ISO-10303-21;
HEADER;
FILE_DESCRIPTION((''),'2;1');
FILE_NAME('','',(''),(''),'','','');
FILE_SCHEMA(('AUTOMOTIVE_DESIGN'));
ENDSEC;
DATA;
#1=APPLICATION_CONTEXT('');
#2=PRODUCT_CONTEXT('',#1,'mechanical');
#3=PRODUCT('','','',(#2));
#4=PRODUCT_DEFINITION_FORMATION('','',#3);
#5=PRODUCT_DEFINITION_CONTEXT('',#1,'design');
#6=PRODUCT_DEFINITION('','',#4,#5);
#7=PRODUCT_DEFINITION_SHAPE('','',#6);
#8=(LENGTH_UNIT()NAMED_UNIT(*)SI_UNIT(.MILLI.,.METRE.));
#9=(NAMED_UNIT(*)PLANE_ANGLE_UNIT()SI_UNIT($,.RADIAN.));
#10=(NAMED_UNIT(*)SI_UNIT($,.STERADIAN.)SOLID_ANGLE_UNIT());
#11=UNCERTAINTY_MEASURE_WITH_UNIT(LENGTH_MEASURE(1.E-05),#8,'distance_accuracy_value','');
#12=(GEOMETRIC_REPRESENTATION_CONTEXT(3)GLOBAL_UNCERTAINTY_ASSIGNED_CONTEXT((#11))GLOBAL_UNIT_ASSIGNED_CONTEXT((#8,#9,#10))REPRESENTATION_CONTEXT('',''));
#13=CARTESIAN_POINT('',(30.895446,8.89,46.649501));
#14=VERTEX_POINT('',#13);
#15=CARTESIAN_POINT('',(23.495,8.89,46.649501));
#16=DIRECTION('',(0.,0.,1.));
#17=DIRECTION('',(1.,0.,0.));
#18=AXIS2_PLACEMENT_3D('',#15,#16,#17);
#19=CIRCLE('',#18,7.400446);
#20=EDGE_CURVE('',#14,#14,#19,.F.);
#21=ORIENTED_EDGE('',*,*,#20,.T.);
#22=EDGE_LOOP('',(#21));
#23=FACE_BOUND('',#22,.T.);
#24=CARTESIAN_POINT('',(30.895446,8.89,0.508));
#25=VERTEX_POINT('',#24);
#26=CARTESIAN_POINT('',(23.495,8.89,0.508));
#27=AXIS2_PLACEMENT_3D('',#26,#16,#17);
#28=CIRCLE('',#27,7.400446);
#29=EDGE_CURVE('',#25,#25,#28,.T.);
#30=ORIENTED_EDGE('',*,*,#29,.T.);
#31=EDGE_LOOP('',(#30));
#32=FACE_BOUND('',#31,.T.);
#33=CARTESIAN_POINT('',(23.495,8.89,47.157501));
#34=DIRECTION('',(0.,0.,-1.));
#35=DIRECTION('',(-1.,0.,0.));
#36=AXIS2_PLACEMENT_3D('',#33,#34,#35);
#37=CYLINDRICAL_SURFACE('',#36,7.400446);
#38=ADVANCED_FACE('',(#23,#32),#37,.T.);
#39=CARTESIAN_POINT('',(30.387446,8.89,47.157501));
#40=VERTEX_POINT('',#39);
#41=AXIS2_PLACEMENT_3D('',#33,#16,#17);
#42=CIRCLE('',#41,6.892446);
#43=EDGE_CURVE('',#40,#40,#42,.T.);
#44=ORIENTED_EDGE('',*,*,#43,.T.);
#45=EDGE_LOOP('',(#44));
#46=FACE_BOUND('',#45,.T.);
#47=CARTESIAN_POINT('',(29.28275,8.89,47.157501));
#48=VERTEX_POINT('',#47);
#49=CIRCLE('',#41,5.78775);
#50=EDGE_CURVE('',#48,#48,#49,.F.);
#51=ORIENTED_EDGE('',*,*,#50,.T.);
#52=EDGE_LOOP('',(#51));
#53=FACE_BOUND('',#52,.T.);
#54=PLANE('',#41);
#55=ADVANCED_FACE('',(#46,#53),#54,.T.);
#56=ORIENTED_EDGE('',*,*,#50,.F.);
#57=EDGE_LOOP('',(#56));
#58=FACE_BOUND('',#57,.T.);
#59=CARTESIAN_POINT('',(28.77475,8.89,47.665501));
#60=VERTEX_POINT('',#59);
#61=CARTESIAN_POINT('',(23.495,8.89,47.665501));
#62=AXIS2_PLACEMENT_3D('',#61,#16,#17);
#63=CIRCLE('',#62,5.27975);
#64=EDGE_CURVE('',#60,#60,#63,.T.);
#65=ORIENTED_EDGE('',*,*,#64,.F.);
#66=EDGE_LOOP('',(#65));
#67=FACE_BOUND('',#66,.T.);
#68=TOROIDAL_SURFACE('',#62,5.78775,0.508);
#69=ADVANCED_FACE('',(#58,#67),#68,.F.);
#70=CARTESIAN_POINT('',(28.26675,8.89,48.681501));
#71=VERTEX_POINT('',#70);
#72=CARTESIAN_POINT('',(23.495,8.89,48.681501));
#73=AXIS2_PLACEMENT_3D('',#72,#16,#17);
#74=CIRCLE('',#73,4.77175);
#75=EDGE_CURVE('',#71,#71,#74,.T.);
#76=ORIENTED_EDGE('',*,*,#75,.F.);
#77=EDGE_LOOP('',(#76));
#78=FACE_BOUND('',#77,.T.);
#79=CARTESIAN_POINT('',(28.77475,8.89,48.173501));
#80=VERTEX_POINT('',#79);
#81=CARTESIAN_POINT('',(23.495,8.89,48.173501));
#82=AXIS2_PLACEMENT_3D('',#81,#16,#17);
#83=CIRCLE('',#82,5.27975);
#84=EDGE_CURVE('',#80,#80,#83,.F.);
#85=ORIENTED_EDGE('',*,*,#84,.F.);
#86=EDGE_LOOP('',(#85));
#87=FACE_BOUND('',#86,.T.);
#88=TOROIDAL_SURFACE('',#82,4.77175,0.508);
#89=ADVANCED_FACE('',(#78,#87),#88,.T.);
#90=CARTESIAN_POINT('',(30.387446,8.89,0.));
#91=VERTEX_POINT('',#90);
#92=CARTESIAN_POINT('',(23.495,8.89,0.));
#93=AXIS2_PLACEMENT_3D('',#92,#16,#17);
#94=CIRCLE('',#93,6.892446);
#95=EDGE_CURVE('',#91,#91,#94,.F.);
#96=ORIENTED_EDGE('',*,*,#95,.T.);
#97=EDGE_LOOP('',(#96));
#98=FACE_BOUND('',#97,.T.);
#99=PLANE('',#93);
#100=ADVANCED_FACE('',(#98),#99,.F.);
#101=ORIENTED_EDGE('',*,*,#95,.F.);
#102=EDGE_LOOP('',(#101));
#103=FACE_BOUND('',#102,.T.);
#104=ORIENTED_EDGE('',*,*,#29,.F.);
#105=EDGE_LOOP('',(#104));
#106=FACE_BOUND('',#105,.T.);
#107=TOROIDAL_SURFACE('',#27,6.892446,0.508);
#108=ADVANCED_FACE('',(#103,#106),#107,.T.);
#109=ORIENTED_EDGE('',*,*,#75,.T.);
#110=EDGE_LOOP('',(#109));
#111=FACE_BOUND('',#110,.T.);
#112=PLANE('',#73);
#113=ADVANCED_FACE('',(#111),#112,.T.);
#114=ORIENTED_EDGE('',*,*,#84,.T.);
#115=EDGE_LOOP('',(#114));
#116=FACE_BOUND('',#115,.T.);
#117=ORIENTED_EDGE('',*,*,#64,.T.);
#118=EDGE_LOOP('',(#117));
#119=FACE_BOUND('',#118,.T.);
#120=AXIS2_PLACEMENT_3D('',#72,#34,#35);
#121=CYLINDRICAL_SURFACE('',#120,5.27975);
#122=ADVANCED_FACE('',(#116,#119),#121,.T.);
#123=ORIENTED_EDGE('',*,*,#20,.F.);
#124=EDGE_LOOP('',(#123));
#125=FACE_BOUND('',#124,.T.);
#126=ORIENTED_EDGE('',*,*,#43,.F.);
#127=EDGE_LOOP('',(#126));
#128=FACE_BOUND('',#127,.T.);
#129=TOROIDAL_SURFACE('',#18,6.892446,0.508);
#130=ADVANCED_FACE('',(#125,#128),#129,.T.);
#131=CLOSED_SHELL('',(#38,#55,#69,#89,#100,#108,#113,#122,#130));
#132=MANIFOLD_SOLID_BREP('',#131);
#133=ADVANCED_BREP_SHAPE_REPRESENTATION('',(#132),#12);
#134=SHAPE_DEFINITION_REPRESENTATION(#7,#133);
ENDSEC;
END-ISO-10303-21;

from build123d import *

# Parameters (mm, degrees)
SKETCH1_R           = 7.400445615
BOSS_EXTRUDE1_DEPTH = 47.157501005
SKETCH2_R           = 5.279749884
BOSS_EXTRUDE2_DEPTH = 1.524
FILLET1_R           = 0.508
FILLET2_R           = 0.508
FILLET3_R           = 0.508


with BuildPart() as part:
    # Sketch1 → Boss-Extrude1 (new body)
    with BuildSketch(Plane.XY):
        with Locations((23.495, 8.89)):
            Circle(SKETCH1_R)
    extrude(amount=BOSS_EXTRUDE1_DEPTH)

    # Sketch2 → Boss-Extrude2 (add)
    with BuildSketch(Plane.XY.offset(47.157501005)):
        with Locations((23.495, 8.89)):
            Circle(SKETCH2_R)
    extrude(amount=BOSS_EXTRUDE2_DEPTH)

    # Fillet1
    fillet1_edges = [part.edges().sort_by_distance(p)[0] for p in [
        (18.215250116, 8.89, 48.681501005),
    ]]
    fillet(fillet1_edges, radius=FILLET1_R)

    # Fillet2
    fillet2_edges = [part.edges().sort_by_distance(p)[0] for p in [
        (16.094554385, 8.89, 47.157501005),
        (18.215250116, 8.89, 47.157501005),
    ]]
    fillet(fillet2_edges, radius=FILLET2_R)

    # Fillet3
    fillet3_edges = [part.edges().sort_by_distance(p)[0] for p in [
        (16.094554385, 8.89, 0),
    ]]
    fillet(fillet3_edges, radius=FILLET3_R)


solid = part.part
